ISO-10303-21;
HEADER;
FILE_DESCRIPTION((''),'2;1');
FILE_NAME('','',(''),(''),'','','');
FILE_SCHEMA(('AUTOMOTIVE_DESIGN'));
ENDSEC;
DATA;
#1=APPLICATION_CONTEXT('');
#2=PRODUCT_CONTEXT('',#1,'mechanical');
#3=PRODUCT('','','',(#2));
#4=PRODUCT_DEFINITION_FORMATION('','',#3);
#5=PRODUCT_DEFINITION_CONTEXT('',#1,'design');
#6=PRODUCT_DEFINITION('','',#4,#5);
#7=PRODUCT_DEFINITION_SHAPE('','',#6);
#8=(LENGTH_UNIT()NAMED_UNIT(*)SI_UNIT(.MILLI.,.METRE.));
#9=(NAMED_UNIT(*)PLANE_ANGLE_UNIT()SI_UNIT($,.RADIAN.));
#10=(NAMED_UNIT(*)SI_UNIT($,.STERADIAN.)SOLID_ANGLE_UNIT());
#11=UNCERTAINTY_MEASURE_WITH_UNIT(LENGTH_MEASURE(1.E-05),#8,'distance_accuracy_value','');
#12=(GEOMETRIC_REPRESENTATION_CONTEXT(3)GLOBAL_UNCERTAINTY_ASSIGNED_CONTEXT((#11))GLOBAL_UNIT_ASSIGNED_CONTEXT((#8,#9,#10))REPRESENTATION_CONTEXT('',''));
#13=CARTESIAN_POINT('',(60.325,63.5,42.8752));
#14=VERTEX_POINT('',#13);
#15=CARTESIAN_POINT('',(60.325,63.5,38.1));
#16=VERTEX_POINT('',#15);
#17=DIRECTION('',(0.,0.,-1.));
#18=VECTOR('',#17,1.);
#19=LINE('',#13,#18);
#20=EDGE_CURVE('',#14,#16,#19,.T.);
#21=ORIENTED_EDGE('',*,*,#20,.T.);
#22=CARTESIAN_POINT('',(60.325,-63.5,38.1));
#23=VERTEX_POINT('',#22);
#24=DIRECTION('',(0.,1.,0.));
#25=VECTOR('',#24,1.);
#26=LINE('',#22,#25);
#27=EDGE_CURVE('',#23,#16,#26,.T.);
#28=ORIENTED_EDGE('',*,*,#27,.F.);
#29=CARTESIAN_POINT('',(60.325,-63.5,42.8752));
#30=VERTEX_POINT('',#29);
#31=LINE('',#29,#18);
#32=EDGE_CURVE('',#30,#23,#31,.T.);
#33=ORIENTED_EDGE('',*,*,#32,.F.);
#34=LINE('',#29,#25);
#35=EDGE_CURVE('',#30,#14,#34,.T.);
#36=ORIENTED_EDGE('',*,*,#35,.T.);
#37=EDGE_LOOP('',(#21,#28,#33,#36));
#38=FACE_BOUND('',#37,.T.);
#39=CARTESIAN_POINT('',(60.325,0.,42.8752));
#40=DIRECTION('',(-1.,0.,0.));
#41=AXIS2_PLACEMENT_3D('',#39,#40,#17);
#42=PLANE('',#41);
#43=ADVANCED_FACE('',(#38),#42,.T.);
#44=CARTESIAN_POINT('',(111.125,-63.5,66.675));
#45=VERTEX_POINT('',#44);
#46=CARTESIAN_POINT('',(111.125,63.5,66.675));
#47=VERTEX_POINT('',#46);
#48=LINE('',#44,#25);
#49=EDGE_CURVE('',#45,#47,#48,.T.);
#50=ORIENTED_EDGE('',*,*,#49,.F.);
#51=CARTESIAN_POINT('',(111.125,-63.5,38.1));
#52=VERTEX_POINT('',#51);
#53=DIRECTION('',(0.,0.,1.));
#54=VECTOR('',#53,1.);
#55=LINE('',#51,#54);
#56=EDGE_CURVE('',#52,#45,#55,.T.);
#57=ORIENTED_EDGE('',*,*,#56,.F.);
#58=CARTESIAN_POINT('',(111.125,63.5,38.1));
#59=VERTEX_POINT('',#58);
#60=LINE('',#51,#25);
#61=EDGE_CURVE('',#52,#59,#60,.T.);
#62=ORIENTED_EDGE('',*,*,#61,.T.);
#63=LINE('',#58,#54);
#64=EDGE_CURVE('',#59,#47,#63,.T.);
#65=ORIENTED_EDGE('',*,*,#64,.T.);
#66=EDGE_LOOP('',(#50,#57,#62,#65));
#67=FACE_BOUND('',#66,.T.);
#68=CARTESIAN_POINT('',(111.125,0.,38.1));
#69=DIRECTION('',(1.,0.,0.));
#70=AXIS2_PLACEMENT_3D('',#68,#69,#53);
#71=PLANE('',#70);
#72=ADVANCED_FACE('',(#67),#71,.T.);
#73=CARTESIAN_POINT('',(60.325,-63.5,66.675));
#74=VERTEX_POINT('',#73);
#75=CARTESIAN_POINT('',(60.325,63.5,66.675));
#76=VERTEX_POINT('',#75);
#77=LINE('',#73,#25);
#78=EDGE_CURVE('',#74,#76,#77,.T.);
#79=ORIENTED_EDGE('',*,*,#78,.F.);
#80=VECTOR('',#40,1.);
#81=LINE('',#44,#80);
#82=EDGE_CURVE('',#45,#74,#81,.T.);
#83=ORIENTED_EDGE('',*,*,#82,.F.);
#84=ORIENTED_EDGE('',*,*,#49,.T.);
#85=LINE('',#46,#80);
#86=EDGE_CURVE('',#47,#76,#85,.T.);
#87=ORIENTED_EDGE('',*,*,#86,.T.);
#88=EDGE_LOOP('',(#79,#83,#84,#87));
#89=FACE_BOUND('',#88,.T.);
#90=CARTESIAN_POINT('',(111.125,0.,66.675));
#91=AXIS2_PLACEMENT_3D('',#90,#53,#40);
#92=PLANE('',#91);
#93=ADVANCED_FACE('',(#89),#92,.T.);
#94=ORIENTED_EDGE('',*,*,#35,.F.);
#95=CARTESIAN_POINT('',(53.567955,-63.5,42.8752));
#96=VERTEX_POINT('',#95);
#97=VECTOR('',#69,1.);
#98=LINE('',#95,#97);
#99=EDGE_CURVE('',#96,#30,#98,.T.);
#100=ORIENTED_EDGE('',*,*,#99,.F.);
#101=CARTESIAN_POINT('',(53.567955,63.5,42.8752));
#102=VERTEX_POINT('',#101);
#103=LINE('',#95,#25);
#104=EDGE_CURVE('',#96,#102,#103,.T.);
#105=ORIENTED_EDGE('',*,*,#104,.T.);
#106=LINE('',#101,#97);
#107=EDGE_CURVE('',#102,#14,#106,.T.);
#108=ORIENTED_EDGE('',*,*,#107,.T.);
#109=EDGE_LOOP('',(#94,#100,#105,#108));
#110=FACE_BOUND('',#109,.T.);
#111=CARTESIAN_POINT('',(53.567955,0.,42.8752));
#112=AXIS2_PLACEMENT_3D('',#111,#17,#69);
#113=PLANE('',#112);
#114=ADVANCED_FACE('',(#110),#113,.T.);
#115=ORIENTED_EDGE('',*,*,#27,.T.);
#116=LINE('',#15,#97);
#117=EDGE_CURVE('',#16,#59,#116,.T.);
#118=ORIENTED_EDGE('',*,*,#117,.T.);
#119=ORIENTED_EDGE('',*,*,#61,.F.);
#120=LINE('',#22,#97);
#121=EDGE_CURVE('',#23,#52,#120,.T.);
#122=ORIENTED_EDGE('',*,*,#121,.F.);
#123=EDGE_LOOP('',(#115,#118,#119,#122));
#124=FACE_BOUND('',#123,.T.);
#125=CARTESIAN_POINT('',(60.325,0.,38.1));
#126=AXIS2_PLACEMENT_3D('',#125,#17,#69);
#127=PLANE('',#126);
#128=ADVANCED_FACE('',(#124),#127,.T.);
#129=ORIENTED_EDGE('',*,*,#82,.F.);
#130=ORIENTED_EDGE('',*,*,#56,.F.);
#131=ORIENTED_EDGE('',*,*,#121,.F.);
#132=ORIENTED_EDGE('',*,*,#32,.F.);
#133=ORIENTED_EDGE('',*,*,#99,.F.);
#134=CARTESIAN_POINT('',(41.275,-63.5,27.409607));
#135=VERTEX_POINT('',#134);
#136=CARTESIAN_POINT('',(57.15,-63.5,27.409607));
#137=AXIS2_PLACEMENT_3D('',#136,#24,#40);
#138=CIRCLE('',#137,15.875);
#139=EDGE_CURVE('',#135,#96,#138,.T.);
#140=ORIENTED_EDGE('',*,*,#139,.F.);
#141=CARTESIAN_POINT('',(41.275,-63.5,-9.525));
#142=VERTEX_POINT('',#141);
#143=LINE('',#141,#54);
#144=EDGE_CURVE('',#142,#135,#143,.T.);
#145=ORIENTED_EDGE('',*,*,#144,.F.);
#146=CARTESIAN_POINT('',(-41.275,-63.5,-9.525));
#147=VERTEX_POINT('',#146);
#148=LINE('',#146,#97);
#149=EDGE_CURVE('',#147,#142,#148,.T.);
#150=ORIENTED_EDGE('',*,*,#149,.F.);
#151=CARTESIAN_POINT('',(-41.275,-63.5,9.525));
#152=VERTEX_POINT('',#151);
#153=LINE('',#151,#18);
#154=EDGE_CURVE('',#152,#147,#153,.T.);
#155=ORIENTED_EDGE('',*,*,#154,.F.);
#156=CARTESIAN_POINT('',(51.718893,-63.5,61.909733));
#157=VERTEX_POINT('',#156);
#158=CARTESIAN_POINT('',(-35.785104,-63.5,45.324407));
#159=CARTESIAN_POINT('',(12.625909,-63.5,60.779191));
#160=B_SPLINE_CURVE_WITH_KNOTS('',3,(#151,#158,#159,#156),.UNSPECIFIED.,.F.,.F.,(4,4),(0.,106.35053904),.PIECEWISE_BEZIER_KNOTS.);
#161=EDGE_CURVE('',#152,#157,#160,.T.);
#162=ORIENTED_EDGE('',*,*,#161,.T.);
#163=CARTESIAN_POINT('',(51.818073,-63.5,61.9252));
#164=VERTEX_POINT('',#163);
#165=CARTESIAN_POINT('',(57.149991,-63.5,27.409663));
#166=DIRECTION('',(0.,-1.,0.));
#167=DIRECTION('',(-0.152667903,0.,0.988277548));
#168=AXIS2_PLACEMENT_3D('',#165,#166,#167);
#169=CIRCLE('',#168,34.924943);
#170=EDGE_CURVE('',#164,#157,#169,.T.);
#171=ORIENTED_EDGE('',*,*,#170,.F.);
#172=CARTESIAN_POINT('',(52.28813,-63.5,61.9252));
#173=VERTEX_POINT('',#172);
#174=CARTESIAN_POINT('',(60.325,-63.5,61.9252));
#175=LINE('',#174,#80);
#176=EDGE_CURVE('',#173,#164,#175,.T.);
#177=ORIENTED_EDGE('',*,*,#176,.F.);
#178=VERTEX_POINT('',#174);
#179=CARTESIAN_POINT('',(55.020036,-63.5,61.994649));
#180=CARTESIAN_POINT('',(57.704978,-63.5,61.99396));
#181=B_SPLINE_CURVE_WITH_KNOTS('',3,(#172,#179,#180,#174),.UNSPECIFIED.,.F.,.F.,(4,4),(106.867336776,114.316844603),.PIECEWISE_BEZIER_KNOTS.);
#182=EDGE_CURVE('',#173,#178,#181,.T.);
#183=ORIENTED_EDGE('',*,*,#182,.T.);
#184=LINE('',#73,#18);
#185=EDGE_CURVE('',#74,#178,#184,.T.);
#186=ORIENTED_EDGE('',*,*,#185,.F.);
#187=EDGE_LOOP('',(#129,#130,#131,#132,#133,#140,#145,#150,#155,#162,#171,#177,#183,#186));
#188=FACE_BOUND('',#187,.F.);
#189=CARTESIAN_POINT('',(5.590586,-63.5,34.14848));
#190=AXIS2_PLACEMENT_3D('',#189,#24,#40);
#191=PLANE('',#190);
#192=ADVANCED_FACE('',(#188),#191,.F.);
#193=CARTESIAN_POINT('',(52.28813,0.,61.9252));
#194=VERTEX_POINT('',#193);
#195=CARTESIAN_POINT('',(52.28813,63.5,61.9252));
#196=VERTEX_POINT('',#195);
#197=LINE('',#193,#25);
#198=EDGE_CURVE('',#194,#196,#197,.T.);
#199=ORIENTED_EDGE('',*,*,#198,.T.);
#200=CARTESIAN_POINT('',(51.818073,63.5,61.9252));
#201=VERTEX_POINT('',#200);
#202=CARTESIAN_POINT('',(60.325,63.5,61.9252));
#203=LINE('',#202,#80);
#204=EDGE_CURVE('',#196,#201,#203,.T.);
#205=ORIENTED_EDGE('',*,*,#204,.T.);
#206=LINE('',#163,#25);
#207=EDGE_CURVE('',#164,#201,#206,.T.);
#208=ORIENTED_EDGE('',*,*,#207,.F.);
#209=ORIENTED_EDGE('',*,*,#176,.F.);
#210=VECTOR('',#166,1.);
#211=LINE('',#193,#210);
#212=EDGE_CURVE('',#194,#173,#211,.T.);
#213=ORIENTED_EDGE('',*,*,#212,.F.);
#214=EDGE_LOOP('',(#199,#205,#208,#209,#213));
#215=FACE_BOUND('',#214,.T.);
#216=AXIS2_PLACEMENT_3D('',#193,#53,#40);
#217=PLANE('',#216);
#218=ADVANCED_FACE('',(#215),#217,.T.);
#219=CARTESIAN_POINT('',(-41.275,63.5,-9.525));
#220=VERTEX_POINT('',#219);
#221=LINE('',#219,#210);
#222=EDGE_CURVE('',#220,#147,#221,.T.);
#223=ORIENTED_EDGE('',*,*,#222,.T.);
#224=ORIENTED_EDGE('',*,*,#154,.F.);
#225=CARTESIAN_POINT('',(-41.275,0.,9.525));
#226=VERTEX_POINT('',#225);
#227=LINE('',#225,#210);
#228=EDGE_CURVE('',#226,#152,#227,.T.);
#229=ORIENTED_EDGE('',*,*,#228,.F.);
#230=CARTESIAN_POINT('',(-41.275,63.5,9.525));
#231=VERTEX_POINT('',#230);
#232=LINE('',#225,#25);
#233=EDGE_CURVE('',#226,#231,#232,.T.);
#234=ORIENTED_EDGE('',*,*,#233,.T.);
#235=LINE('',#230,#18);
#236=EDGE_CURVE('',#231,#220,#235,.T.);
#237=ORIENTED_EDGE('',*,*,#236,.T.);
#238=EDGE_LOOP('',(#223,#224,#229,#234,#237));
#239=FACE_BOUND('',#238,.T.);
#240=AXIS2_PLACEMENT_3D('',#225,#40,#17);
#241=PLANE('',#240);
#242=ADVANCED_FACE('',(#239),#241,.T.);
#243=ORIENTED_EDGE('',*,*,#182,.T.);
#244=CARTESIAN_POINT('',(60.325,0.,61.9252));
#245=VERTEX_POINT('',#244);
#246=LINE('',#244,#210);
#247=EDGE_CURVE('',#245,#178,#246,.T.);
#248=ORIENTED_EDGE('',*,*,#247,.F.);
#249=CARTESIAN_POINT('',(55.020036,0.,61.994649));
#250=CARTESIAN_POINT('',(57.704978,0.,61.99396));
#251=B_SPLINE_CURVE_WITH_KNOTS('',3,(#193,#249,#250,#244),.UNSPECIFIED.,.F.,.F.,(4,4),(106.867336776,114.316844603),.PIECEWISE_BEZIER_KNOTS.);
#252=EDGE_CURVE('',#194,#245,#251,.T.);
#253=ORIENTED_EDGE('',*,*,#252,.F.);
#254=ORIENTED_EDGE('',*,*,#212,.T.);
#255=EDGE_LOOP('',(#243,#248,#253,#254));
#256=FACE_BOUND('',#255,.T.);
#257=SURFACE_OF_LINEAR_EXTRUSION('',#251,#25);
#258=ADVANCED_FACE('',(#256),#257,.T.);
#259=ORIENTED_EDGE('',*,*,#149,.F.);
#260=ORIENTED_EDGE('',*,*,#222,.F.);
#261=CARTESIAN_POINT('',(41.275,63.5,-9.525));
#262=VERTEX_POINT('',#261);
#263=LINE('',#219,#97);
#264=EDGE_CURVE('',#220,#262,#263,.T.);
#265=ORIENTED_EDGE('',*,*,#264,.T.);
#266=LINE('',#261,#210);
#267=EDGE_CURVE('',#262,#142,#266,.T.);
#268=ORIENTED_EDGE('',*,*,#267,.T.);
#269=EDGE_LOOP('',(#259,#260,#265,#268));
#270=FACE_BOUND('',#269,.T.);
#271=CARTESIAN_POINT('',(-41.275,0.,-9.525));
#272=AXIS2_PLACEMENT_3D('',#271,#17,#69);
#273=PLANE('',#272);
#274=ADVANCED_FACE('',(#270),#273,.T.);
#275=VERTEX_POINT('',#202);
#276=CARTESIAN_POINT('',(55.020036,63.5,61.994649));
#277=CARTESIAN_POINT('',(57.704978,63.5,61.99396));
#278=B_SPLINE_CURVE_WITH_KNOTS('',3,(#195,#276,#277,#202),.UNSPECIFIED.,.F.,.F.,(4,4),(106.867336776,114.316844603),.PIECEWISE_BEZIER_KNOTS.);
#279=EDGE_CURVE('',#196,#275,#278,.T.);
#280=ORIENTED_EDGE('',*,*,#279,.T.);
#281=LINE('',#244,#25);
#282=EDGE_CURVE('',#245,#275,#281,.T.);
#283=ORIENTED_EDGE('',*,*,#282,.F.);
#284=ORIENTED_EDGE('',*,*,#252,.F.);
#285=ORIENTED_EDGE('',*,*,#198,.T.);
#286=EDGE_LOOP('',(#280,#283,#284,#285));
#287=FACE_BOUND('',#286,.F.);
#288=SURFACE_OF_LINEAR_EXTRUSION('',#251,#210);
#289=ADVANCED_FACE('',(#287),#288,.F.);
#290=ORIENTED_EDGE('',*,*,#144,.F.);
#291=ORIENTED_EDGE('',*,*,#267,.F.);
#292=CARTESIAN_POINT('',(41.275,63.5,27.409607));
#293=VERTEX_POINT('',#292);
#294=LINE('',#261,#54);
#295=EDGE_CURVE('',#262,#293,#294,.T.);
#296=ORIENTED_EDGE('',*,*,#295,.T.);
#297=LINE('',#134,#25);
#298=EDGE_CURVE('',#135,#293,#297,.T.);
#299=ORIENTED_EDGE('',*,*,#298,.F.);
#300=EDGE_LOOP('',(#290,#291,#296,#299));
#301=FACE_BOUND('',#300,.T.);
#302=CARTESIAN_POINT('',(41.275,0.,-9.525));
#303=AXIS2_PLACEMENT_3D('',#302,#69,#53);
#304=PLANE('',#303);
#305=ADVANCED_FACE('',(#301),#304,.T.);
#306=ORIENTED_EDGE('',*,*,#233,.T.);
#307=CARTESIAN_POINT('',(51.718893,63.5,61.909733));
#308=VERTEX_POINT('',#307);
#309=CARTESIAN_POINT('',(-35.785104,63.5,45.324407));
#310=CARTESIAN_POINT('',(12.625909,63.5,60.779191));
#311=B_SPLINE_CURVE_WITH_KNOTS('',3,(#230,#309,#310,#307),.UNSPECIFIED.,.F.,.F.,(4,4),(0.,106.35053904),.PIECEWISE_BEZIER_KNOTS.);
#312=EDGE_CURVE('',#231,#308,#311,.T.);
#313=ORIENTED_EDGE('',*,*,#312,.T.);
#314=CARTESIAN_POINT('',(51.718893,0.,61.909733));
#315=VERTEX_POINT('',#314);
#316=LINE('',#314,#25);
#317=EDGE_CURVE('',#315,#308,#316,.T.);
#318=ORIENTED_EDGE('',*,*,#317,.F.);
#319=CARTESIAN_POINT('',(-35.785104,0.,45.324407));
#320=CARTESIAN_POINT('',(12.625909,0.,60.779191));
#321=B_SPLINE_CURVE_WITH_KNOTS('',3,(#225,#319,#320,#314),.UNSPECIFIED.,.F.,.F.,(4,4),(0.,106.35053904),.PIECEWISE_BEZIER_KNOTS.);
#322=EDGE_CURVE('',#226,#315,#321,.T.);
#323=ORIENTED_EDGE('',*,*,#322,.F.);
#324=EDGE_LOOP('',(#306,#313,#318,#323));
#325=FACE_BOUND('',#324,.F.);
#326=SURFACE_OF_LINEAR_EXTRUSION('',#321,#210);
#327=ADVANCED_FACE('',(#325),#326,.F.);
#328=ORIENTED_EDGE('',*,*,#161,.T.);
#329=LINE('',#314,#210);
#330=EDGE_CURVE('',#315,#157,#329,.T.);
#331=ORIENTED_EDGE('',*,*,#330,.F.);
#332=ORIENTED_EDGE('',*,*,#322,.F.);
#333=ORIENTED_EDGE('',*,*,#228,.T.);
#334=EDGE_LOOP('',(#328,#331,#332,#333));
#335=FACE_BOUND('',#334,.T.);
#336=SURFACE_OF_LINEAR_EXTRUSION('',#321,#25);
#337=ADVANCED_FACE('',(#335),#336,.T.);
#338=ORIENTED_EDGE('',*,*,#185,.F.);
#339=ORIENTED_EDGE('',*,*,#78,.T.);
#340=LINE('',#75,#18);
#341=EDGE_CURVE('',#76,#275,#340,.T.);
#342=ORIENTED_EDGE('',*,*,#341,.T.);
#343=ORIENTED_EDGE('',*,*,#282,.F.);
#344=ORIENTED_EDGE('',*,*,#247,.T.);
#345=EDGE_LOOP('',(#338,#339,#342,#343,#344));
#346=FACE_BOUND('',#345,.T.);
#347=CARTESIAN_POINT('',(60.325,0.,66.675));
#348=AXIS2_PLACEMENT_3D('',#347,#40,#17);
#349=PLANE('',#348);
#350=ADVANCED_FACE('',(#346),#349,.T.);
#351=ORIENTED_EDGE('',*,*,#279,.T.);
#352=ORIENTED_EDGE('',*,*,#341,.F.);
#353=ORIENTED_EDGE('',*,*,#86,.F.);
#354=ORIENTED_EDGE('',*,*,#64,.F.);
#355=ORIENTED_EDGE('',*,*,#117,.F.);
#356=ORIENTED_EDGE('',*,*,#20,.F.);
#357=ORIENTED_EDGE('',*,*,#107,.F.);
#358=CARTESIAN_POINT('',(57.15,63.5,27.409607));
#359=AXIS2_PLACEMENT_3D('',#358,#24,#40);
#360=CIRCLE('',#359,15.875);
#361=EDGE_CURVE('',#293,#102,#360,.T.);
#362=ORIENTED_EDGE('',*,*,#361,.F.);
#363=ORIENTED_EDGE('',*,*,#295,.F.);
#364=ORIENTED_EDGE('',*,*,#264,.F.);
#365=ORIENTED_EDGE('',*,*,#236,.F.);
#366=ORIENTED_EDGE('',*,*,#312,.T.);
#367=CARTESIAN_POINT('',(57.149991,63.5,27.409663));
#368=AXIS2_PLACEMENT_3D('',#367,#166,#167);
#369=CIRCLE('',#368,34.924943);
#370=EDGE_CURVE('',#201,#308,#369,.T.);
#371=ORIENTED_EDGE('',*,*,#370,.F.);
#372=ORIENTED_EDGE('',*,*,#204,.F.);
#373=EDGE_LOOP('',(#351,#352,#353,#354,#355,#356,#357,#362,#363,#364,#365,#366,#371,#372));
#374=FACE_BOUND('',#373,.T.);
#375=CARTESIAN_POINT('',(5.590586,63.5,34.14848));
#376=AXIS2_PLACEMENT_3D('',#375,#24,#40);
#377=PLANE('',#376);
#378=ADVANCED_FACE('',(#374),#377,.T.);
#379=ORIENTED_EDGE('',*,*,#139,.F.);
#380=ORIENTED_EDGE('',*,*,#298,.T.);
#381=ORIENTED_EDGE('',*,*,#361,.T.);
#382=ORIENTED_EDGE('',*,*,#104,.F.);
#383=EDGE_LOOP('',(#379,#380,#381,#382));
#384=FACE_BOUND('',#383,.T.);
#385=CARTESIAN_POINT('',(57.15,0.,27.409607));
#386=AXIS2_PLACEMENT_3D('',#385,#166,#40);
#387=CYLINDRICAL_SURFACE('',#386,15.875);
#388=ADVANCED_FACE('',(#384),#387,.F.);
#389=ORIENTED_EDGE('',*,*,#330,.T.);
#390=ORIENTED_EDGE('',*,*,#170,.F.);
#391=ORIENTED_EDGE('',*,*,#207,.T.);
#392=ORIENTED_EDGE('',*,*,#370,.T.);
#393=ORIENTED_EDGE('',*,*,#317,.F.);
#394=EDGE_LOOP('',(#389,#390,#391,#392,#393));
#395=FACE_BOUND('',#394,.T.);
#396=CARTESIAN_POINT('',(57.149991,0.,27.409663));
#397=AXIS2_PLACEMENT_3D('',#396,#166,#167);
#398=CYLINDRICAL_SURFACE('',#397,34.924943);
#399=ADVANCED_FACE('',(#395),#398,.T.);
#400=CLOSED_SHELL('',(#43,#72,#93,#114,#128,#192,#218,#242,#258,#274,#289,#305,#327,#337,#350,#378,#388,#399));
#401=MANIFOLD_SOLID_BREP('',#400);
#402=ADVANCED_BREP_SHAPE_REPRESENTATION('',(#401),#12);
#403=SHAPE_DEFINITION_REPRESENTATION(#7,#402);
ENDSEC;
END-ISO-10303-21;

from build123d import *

# Parameters (mm, degrees)
F0_W     = 25.3558125973
F0_H     = 19.05
F1_DEPTH = 63.5


with BuildPart() as f1:
    # F0 (on Front) → F1 (new body, symmetric)
    with BuildSketch(Plane.XZ):
        with BuildLine():
            add(Edge.make_bspline(
                [(-41.275, 9.525), (-35.7851044723, 45.3244073821), (12.6259092466, 60.7791905255), (51.7188934867, 61.909732843)],
                knots=[0, 0, 0, 0, 106.3505390395, 106.3505390395, 106.3505390395, 106.3505390395], degree=3))
            Line((-41.275, 9.525), (22.225, 9.525))
            Line((22.225, 9.525), (22.225, 27.4096066543))
            ThreePointArc((22.225, 27.4096066543), (30.6034651981, 50.1040358168), (51.7188934867, 61.909732843))
        make_face()
        Polygon((22.225, 9.525), (-41.275, 9.525), (-41.275, -9.525), (41.275, -9.525), (41.275, 9.525), align=None)
        with BuildLine():
            Line((22.225, 27.4096066543), (22.225, 9.525))
            Line((22.225, 9.525), (41.275, 9.525))
            Line((41.275, 9.525), (41.275, 27.4096066543))
            ThreePointArc((41.275, 27.4096066543), (44.7225989891, 37.2876291848), (53.567954849, 42.8752))
            Line((53.567954849, 42.8752), (60.325, 42.8752))
            Line((60.325, 42.8752), (60.325, 61.9252))
            Line((60.325, 61.9252), (52.2881304538, 61.9252))
            add(Edge.make_bspline(
                [(51.7188934867, 61.909732843), (51.9088611725, 61.9152265783), (52.0986088263, 61.9203820671), (52.2881304538, 61.9252)],
                knots=[106.3505390395, 106.3505390395, 106.3505390395, 106.3505390395, 106.8673367765, 106.8673367765, 106.8673367765, 106.8673367765], degree=3))
            ThreePointArc((51.7188934867, 61.909732843), (30.6034651981, 50.1040358168), (22.225, 27.4096066543))
        make_face()
        with BuildLine():
            ThreePointArc((51.8180734259, 61.9252), (51.7684778995, 61.9175020535), (51.7188934867, 61.909732843))
            add(Edge.make_bspline(
                [(51.7188934867, 61.909732843), (51.9088611725, 61.9152265783), (52.0986088263, 61.9203820671), (52.2881304538, 61.9252)],
                knots=[106.3505390395, 106.3505390395, 106.3505390395, 106.3505390395, 106.8673367765, 106.8673367765, 106.8673367765, 106.8673367765], degree=3))
            Line((52.2881304538, 61.9252), (51.8180734259, 61.9252))
        make_face()
        with BuildLine():
            add(Edge.make_bspline(
                [(52.2881304538, 61.9252), (55.0200364706, 61.994649277), (57.7049776323, 61.993959567), (60.325, 61.9252)],
                knots=[106.8673367765, 106.8673367765, 106.8673367765, 106.8673367765, 114.3168446032, 114.3168446032, 114.3168446032, 114.3168446032], degree=3))
            Line((52.2881304538, 61.9252), (60.325, 61.9252))
        make_face()
        with Locations((73.0029062986, 52.4002)):
            Rectangle(F0_W, F0_H)
        Polygon((60.325, 66.675), (60.325, 61.9252), (85.6808125973, 61.9252), (85.6808125973, 42.8752), (60.325, 42.8752), (60.325, 38.1), (111.125, 38.1), (111.125, 66.675), align=None)
    extrude(amount=F1_DEPTH, both=True)


solid = f1.part
